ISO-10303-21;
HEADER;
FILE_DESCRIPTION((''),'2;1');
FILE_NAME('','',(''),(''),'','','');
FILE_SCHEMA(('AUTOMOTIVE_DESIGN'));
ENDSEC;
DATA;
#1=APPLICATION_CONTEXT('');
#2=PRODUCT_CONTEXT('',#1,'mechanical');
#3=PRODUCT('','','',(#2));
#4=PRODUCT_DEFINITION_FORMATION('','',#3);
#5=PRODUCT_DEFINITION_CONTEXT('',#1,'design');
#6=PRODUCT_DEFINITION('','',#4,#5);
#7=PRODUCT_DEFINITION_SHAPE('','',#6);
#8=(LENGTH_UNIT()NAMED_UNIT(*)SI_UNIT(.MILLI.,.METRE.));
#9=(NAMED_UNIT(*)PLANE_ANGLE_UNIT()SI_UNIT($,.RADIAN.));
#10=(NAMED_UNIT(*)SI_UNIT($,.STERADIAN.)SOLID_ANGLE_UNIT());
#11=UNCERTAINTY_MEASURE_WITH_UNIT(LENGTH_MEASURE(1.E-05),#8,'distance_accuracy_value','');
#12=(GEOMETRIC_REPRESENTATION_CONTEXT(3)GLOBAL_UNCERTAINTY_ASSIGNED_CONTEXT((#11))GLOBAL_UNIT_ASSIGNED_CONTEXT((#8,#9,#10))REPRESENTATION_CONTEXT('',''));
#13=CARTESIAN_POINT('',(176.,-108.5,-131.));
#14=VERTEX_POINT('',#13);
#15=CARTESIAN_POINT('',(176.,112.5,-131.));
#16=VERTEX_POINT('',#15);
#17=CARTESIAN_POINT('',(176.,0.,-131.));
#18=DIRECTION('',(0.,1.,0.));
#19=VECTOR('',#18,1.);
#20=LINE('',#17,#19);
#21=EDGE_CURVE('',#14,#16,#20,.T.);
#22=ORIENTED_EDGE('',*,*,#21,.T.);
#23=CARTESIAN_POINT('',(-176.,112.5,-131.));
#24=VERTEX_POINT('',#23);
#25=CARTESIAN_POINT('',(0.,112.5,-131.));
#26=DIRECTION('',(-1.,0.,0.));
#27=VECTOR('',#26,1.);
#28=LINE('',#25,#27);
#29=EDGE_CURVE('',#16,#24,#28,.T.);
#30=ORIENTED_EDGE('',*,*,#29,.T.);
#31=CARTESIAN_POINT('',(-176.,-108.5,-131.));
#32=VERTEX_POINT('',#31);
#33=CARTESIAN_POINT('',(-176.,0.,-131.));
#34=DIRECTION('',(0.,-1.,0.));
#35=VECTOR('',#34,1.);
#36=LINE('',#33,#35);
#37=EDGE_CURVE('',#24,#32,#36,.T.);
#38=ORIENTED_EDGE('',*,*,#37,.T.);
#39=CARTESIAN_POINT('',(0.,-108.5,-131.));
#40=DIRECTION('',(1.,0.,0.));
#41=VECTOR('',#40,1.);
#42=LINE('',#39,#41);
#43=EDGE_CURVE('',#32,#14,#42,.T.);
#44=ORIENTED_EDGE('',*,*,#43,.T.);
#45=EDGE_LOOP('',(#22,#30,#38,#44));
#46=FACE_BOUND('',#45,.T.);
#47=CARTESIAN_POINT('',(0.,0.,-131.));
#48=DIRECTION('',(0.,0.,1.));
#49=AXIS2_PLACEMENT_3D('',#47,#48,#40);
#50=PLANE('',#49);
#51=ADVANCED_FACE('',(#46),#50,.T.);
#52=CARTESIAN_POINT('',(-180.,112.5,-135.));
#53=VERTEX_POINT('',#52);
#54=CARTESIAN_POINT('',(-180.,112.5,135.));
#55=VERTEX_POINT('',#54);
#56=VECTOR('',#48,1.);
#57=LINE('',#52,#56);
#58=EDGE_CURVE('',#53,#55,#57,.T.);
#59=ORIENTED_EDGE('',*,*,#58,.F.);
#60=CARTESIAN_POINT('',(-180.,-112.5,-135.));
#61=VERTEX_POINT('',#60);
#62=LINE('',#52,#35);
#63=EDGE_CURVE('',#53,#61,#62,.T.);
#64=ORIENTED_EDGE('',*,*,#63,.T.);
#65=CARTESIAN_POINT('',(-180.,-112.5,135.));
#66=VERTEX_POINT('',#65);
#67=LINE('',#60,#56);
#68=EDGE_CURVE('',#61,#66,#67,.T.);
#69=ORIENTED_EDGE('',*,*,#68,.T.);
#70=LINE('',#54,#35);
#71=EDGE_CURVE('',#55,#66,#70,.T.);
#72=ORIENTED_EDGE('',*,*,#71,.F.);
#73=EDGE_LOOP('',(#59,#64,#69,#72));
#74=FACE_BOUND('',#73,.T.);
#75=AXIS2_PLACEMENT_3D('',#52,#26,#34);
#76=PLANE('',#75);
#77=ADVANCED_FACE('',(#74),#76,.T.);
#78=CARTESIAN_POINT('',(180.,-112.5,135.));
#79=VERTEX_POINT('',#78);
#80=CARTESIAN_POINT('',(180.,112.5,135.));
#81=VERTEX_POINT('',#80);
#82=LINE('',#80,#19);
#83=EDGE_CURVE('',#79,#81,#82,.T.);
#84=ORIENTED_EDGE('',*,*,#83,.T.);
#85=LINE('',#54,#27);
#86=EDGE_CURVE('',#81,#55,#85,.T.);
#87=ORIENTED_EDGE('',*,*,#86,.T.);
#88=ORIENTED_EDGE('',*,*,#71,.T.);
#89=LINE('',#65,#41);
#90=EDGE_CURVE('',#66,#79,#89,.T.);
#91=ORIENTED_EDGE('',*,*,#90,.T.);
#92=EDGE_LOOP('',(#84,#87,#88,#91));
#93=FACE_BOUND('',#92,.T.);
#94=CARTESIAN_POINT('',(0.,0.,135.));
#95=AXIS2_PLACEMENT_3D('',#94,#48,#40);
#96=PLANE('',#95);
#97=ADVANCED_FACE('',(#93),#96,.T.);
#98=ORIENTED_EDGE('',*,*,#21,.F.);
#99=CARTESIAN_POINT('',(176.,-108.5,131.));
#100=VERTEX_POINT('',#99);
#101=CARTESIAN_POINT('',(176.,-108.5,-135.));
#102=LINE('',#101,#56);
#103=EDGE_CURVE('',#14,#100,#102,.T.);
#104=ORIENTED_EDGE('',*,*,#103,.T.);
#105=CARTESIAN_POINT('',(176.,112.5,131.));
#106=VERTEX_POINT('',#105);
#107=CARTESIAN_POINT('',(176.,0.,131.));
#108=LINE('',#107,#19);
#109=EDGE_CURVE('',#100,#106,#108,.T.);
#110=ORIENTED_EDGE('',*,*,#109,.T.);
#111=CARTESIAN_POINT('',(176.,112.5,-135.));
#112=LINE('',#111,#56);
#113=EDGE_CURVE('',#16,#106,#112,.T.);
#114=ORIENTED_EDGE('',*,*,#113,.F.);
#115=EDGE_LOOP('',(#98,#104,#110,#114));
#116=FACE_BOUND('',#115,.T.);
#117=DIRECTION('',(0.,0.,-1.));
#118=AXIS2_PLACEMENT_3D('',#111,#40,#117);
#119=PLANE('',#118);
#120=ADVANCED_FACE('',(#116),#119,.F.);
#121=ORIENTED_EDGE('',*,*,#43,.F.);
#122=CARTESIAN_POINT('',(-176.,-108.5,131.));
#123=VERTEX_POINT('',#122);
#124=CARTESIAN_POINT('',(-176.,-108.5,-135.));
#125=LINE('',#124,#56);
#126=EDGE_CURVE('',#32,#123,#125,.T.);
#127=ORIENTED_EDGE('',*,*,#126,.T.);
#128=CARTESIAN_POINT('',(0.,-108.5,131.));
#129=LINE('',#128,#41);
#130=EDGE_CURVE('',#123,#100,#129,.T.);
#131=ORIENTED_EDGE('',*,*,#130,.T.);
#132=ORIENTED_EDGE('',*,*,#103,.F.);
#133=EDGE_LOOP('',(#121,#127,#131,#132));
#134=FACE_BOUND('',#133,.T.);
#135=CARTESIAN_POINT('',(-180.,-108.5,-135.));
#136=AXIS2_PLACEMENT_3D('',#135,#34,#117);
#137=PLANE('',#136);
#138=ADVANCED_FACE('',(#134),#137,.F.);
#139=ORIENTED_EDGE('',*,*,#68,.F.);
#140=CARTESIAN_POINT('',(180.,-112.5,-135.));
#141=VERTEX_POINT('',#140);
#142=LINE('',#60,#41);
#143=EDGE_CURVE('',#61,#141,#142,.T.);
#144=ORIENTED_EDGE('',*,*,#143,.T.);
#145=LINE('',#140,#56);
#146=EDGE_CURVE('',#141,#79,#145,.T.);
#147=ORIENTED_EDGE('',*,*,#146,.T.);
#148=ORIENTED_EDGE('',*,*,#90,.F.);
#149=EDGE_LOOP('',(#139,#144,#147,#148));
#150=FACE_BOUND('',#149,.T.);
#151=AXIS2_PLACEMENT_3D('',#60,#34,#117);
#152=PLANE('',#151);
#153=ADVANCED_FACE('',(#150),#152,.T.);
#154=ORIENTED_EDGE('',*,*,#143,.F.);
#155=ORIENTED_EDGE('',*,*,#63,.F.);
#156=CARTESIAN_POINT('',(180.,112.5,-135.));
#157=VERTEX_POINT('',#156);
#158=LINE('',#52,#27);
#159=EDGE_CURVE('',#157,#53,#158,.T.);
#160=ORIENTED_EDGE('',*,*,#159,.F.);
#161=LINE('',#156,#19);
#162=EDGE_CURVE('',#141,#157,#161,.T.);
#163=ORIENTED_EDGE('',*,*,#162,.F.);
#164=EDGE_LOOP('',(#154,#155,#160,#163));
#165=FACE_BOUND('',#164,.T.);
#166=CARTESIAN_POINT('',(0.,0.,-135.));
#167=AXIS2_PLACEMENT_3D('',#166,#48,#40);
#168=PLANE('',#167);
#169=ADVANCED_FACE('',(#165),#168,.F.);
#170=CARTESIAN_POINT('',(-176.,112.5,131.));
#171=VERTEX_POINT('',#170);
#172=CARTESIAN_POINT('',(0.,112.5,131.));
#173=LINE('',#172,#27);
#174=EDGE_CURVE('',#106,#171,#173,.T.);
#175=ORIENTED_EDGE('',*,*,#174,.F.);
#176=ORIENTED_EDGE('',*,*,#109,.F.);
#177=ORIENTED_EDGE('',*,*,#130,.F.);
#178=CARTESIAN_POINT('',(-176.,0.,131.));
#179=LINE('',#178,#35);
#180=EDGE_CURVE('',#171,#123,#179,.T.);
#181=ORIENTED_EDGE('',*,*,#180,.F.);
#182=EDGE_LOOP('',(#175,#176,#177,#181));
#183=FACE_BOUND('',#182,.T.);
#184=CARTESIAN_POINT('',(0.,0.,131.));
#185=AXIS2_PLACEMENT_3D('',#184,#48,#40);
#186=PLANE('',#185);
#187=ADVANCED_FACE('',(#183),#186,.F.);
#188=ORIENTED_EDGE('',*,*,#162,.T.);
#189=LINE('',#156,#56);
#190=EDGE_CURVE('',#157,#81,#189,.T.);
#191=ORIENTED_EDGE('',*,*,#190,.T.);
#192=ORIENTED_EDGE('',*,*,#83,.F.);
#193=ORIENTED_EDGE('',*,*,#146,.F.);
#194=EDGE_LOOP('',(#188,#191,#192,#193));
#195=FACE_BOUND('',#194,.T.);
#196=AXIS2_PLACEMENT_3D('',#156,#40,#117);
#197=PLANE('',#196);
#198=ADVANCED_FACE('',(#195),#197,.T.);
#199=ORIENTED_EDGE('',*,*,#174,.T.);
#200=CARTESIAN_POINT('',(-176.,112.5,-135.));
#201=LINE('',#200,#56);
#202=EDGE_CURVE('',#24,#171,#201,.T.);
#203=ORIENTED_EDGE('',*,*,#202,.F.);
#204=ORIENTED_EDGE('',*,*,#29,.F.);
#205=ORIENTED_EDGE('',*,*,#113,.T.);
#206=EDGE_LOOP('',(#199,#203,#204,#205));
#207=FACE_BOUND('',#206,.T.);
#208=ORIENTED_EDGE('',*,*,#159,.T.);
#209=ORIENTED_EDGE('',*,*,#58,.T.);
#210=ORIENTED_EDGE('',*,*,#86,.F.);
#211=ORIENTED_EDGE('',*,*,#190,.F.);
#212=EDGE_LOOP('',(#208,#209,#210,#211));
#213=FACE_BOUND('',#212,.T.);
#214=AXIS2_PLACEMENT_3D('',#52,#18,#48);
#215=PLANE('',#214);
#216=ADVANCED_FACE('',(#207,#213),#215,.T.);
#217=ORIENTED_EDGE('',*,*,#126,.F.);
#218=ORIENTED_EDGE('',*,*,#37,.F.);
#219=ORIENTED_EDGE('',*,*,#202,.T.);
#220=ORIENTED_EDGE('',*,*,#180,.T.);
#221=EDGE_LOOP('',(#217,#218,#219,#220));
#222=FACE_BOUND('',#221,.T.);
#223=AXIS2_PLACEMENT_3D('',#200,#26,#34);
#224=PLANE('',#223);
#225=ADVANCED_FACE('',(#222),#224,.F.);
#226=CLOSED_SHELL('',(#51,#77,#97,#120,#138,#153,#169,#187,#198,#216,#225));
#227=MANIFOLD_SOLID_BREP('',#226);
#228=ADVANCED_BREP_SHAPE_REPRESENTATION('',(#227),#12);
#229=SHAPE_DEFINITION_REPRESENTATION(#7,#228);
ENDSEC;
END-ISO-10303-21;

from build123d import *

# Parameters (mm, degrees)
SALIENTE_EXTRUIR1_DEPTH      = 135
SALIENTE_EXTRUIR1_DEPTH_BACK = 135
CROQUIS1_W                   = 360
CROQUIS1_H                   = 225
VACIADO1_T                   = -4


with BuildPart() as part:
    # Croquis1 → Saliente-Extruir1 (new, two sides: drawn at the far end of the back side and taken through both)
    with BuildSketch(Plane.XY.offset(-SALIENTE_EXTRUIR1_DEPTH_BACK)):
        Rectangle(CROQUIS1_W, CROQUIS1_H)
    extrude(amount=SALIENTE_EXTRUIR1_DEPTH + SALIENTE_EXTRUIR1_DEPTH_BACK)

    # Vaciado1
    vaciado1_openings = [part.faces().sort_by_distance(p)[0] for p in [
        (0, 112.5, 0),
    ]]
    offset(amount=VACIADO1_T, openings=vaciado1_openings, kind=Kind.INTERSECTION)


solid = part.part
